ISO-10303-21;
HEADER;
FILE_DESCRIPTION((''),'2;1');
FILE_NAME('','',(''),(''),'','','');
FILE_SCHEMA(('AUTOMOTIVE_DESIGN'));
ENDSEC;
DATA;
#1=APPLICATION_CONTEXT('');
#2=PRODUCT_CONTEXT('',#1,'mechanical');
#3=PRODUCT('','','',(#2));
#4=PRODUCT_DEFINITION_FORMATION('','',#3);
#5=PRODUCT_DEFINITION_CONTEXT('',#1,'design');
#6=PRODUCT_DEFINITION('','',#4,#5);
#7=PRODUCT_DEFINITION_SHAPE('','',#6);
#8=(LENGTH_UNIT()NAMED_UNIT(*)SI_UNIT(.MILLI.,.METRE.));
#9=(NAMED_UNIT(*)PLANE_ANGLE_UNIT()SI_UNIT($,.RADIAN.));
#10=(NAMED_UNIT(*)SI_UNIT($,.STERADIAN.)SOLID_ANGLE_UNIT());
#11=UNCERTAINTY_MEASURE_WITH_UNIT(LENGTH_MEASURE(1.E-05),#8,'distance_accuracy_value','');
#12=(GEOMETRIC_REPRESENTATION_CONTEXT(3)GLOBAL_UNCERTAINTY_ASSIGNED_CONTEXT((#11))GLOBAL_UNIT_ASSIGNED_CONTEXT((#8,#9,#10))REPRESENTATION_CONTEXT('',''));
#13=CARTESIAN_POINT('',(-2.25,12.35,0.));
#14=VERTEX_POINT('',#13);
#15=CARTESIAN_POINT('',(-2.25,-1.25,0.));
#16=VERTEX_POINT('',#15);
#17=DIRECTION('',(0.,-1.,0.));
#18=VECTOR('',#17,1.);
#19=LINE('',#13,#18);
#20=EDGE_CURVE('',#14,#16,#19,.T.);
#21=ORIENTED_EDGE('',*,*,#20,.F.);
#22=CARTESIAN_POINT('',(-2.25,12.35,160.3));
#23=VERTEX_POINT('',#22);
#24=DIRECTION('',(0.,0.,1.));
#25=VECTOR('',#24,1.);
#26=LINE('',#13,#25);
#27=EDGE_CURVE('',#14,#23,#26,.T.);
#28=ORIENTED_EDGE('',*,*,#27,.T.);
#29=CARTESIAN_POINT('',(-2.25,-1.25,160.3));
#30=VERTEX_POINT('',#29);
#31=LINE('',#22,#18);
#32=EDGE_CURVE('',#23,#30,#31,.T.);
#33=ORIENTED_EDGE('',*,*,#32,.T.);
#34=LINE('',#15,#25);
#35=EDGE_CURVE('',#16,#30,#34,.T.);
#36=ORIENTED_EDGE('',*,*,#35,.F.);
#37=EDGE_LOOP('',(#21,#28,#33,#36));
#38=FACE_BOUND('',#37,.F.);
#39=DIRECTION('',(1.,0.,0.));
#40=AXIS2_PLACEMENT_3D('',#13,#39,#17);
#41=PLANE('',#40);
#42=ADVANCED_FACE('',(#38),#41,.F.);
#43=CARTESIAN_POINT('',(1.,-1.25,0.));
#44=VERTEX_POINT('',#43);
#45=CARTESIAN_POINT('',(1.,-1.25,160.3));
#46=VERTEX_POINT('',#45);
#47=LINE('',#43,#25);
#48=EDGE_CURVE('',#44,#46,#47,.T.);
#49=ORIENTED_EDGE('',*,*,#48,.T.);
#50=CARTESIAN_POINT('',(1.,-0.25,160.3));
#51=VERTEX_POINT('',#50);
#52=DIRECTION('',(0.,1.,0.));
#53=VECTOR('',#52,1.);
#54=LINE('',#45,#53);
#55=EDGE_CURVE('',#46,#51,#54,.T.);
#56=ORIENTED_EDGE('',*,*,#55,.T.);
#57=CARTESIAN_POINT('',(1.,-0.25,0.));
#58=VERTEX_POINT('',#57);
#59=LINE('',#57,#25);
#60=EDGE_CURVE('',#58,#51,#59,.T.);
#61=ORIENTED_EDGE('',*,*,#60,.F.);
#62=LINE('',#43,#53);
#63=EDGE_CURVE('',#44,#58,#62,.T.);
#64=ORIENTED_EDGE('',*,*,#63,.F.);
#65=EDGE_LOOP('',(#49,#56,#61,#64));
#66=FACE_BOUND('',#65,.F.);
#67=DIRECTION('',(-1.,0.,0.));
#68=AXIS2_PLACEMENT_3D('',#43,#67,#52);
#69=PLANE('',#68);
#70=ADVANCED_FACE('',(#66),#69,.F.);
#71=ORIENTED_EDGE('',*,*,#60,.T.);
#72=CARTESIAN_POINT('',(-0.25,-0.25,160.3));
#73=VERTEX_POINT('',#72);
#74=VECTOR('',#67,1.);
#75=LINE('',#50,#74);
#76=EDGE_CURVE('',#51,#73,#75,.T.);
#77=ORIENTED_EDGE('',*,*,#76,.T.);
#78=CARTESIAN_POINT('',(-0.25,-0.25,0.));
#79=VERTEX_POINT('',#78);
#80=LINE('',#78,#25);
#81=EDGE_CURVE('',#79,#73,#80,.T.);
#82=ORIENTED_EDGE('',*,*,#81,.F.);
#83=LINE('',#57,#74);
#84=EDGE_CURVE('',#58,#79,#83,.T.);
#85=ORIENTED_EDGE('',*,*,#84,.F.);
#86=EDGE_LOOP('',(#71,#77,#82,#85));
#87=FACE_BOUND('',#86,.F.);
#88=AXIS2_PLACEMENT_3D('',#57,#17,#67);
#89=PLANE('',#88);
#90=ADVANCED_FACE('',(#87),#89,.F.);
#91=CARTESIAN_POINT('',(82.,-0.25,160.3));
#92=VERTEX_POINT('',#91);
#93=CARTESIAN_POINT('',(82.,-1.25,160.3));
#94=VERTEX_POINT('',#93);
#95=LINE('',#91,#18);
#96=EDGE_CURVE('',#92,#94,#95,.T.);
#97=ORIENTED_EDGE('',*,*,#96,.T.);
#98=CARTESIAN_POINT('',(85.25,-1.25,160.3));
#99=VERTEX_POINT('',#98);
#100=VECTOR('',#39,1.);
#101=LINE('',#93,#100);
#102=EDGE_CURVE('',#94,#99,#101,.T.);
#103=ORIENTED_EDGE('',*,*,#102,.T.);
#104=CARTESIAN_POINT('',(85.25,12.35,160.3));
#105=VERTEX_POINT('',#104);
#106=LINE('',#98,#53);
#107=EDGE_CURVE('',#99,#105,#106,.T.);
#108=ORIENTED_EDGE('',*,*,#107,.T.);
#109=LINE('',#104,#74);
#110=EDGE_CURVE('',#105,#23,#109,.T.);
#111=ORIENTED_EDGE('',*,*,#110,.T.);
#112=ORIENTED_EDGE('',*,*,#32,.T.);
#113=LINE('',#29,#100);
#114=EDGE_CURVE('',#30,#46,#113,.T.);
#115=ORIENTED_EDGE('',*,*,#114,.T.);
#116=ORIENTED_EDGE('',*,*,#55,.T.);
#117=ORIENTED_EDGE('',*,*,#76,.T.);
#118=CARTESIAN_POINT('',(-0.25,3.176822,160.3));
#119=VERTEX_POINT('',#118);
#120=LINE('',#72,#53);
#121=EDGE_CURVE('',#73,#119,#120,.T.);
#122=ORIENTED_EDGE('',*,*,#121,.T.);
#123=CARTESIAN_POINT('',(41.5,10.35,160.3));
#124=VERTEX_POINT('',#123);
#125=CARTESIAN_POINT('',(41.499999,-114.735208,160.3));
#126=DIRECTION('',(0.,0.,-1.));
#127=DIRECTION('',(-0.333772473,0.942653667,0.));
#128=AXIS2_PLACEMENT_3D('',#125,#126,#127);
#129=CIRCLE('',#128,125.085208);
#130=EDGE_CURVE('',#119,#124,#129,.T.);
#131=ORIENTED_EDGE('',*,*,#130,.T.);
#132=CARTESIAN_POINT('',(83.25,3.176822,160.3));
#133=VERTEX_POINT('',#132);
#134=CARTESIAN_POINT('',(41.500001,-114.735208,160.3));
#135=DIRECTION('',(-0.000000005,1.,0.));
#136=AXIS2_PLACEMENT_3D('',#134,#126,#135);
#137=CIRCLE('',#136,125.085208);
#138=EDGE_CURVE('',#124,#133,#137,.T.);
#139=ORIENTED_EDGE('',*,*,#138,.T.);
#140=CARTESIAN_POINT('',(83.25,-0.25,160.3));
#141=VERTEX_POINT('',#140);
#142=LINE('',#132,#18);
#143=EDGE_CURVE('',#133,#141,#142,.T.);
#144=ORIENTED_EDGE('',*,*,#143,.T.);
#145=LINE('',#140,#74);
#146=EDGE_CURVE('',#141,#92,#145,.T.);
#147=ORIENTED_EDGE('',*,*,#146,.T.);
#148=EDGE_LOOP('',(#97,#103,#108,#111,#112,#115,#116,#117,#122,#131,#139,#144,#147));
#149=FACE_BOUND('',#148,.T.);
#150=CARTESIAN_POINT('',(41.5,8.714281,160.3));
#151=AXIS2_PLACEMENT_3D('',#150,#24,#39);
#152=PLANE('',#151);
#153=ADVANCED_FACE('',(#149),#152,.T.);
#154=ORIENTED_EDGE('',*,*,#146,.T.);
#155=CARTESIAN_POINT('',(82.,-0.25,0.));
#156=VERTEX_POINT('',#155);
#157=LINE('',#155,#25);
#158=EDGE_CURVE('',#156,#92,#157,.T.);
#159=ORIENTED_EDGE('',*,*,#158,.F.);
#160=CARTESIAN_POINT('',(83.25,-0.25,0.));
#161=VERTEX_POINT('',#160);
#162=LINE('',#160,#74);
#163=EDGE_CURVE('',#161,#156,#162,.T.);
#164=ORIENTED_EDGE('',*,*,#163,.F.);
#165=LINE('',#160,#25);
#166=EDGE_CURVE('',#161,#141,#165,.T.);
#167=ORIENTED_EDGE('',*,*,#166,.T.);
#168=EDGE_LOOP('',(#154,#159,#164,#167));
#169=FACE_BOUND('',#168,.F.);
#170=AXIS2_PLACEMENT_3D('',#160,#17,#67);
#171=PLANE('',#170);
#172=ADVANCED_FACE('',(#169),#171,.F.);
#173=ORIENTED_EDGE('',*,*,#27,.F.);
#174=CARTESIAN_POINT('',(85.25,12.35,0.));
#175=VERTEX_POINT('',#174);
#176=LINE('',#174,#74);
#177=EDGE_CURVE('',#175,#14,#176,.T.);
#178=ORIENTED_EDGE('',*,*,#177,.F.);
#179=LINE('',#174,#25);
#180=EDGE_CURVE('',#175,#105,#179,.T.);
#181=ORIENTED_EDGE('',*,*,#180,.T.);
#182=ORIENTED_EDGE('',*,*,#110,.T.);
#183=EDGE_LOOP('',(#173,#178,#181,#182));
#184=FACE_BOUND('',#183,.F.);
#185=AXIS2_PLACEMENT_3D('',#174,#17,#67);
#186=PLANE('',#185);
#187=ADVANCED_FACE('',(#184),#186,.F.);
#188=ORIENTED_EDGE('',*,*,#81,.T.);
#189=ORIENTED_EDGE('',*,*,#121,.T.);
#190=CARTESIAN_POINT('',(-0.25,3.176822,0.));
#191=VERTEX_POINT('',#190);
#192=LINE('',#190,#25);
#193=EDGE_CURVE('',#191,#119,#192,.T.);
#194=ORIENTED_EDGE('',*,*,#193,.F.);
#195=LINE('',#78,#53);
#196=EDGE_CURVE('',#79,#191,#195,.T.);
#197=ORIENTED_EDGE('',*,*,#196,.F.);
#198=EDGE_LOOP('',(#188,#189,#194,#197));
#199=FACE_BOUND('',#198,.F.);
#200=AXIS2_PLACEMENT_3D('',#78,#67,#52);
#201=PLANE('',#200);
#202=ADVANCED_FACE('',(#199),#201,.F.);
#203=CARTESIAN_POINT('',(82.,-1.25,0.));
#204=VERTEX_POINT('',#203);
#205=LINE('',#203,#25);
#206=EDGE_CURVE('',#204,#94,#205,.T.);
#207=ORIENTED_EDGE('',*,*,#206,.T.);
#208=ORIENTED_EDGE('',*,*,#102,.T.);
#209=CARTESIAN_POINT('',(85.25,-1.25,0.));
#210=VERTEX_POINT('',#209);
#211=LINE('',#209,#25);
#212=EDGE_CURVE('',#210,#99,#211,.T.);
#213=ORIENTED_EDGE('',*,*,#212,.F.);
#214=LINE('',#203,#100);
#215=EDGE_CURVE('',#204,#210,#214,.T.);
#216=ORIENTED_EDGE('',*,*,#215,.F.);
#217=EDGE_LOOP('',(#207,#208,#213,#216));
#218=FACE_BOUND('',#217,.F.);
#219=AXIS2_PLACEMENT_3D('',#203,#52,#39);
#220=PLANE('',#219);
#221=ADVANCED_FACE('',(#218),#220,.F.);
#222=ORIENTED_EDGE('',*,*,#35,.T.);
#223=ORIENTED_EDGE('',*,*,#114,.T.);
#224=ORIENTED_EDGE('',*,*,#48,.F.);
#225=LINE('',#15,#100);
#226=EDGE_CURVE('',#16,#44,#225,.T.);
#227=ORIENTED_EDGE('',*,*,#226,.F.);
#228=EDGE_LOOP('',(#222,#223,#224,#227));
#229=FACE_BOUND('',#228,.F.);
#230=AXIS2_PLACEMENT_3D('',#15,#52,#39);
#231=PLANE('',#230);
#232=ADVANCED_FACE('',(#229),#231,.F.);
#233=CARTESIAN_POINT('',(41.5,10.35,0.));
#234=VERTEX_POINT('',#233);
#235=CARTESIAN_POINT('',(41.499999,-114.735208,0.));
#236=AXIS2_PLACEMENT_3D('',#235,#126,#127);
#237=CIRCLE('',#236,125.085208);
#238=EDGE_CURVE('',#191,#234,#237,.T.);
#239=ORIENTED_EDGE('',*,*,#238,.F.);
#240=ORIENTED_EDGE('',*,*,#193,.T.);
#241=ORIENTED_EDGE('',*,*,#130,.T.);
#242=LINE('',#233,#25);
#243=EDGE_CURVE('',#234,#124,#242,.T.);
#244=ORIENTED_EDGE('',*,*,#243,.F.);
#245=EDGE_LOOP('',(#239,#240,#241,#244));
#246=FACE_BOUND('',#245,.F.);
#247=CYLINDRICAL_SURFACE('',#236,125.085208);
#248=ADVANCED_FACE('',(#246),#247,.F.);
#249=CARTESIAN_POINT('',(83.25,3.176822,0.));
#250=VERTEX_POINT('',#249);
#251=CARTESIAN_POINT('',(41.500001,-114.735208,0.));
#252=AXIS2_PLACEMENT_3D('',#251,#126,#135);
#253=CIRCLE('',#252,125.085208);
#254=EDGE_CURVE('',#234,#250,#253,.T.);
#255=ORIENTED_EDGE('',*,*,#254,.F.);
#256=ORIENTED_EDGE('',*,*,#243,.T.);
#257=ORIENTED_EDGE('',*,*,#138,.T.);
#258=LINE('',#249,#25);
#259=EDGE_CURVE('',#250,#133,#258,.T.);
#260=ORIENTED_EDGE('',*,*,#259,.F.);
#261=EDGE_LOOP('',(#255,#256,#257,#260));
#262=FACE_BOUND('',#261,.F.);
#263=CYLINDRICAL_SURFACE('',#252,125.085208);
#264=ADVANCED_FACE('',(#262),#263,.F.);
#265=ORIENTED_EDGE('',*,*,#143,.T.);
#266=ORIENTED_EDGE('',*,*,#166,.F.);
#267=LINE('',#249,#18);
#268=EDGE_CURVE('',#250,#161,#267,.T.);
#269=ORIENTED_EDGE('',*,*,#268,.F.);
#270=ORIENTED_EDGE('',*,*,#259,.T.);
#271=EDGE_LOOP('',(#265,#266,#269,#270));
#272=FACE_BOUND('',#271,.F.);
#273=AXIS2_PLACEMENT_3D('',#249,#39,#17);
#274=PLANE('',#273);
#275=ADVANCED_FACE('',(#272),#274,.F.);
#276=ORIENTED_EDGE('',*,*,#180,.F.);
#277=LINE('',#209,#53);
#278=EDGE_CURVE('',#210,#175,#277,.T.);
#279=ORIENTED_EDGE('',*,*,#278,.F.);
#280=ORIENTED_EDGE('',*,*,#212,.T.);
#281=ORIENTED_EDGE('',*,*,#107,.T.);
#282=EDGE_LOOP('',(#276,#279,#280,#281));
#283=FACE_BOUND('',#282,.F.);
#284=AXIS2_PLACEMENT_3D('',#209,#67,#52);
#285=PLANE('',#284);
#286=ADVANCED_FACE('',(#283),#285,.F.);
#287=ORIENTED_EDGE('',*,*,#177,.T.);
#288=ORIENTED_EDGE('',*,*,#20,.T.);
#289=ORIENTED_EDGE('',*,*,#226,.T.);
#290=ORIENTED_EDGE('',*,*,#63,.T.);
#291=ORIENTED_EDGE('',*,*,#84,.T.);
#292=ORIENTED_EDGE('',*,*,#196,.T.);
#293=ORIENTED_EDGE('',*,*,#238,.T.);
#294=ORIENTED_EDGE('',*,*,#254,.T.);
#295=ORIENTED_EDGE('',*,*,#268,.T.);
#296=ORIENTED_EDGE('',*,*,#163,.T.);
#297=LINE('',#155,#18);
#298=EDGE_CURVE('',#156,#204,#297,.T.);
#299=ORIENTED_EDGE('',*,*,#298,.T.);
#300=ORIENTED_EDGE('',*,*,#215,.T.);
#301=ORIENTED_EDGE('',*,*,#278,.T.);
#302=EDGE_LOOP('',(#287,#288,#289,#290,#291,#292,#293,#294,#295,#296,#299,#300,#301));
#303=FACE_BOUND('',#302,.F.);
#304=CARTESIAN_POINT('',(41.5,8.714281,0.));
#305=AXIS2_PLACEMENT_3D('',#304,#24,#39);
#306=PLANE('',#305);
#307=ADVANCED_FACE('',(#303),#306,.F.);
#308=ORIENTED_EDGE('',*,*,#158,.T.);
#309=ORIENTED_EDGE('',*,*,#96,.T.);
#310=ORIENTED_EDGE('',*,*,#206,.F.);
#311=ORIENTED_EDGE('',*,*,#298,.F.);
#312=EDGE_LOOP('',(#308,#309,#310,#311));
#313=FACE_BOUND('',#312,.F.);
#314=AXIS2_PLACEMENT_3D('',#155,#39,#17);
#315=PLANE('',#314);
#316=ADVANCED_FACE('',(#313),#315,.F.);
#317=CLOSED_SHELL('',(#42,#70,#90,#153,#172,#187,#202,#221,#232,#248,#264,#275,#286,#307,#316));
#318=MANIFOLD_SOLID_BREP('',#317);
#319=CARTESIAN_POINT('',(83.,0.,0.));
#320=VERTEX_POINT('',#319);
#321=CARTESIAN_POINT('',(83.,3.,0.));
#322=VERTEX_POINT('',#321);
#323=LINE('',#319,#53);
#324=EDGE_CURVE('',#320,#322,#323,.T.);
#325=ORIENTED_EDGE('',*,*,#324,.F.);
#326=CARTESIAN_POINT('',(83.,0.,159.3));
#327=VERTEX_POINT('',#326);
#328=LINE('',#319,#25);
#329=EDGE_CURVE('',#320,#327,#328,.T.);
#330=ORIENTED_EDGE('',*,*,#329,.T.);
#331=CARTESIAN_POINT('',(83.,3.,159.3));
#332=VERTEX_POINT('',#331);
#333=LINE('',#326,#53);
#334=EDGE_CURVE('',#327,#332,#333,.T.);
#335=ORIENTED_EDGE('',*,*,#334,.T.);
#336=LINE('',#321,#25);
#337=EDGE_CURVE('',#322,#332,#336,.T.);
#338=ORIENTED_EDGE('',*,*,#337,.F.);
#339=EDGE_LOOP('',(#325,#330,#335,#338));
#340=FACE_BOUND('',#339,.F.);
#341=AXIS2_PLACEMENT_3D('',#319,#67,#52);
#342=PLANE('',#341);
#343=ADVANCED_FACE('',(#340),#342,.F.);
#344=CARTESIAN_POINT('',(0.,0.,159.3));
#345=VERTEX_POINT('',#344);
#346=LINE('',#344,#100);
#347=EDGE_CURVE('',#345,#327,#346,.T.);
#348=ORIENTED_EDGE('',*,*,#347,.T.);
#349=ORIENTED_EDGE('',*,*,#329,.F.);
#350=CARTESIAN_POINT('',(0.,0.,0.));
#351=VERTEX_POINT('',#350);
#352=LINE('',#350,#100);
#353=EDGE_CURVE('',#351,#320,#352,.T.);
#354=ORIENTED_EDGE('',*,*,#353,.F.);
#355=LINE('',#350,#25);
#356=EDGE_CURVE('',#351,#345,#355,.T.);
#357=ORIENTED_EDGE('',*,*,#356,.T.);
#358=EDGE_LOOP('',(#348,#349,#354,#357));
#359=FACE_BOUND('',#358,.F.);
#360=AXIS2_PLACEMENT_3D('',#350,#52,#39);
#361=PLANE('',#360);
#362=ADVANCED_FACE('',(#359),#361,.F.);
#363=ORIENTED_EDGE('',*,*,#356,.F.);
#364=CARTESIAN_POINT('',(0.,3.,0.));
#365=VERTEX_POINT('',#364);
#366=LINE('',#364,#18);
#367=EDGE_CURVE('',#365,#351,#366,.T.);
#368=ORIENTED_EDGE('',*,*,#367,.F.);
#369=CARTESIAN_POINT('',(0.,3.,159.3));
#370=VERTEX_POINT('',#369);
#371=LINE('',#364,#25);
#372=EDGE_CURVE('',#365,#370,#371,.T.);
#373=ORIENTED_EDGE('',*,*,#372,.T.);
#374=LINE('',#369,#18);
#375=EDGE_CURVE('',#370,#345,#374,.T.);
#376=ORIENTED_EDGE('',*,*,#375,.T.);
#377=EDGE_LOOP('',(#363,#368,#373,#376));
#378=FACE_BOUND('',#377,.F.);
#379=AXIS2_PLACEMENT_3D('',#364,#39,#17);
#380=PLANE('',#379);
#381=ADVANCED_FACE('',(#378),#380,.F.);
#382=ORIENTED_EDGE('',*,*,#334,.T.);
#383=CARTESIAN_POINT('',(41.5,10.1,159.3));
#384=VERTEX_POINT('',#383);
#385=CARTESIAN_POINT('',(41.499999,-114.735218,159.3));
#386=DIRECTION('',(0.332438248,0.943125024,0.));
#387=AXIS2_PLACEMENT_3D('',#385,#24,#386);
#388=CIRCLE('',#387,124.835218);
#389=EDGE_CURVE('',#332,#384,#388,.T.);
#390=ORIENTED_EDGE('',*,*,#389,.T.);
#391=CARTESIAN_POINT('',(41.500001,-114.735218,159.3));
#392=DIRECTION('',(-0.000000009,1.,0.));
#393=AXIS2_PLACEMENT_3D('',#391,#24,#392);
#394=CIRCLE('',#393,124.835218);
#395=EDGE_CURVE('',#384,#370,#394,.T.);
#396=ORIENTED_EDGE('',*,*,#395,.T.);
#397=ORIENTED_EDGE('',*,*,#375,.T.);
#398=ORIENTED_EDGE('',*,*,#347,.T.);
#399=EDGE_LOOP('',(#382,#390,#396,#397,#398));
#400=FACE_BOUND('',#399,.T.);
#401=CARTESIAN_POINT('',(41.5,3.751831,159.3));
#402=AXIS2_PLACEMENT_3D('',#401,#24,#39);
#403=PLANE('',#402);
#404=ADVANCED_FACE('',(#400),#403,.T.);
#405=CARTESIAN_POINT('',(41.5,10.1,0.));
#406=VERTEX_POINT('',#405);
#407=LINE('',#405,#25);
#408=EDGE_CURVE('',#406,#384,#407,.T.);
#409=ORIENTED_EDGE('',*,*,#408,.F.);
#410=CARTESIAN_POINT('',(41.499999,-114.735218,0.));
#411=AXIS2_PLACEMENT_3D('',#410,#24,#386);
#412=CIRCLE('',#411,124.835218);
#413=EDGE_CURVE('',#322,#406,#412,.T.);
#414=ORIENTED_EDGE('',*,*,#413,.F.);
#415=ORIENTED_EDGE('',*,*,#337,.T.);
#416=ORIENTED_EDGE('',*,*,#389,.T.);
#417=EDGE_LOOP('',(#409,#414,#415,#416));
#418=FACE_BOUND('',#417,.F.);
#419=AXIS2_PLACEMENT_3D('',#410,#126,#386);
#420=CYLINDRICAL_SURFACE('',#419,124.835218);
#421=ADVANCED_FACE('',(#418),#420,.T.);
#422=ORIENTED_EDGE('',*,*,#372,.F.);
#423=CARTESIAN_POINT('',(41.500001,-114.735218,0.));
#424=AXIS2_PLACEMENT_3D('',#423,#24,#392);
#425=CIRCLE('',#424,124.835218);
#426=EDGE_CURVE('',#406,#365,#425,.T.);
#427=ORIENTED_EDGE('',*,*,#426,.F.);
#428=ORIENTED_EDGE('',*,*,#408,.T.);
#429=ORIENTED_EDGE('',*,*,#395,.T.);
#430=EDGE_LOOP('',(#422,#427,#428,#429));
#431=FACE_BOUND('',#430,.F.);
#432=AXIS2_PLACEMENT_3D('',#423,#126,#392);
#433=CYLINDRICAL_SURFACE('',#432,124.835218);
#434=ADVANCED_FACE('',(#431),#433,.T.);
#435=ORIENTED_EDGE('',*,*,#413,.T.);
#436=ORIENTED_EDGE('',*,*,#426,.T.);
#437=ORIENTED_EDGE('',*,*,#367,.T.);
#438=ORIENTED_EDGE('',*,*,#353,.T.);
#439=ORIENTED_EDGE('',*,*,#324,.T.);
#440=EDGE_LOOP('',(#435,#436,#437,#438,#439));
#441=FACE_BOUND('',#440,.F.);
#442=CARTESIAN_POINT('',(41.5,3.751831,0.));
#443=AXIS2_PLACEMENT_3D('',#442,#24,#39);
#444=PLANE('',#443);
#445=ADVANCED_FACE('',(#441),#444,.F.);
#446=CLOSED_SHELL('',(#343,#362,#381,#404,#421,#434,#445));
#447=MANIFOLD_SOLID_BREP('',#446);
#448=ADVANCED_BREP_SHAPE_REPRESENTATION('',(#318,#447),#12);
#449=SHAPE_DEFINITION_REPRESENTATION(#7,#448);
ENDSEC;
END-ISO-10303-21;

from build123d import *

# Parameters (mm, degrees)
F1_DEPTH = 159.3
F3_DEPTH = 160.3


with BuildPart() as f1:
    # F0 (on Top) → F1 (new body)
    with BuildSketch(Plane.XY):
        with BuildLine():
            Line((0, 3), (0, 0))
            Line((0, 0), (41.5, 0))
            Line((41.5, 0), (83, 0))
            Line((83, 0), (83, 3))
            ThreePointArc((83, 3), (62.551485, 8.312198), (41.5, 10.1))
            ThreePointArc((41.5, 10.1), (20.448515, 8.312198), (0, 3))
        make_face()
    extrude(amount=F1_DEPTH)


with BuildPart() as f3:
    # F0 (on Top) → F3 (new body, through all)
    with BuildSketch(Plane.XY):
        with BuildLine():
            ThreePointArc((-0.25, 3.176822), (20.31913, 8.543663), (41.5, 10.35))
            ThreePointArc((41.5, 10.35), (62.68087, 8.543663), (83.25, 3.176822))
            Line((83.25, 3.176822), (83.25, 0))
            Line((83.25, 0), (83.25, -0.25))
            Line((83.25, -0.25), (82, -0.25))
            Line((82, -0.25), (82, -1.25))
            Line((82, -1.25), (85.25, -1.25))
            Line((85.25, -1.25), (85.25, 12.35))
            Line((85.25, 12.35), (41.5, 12.35))
            Line((41.5, 12.35), (-2.25, 12.35))
            Line((-2.25, 12.35), (-2.25, -1.25))
            Line((-2.25, -1.25), (1, -1.25))
            Line((1, -1.25), (1, -0.25))
            Line((1, -0.25), (-0.25, -0.25))
            Line((-0.25, -0.25), (-0.25, 0))
            Line((-0.25, 0), (-0.25, 3.176822))
        make_face()
    extrude(amount=F3_DEPTH)


solid = Compound([f1.part, f3.part])
